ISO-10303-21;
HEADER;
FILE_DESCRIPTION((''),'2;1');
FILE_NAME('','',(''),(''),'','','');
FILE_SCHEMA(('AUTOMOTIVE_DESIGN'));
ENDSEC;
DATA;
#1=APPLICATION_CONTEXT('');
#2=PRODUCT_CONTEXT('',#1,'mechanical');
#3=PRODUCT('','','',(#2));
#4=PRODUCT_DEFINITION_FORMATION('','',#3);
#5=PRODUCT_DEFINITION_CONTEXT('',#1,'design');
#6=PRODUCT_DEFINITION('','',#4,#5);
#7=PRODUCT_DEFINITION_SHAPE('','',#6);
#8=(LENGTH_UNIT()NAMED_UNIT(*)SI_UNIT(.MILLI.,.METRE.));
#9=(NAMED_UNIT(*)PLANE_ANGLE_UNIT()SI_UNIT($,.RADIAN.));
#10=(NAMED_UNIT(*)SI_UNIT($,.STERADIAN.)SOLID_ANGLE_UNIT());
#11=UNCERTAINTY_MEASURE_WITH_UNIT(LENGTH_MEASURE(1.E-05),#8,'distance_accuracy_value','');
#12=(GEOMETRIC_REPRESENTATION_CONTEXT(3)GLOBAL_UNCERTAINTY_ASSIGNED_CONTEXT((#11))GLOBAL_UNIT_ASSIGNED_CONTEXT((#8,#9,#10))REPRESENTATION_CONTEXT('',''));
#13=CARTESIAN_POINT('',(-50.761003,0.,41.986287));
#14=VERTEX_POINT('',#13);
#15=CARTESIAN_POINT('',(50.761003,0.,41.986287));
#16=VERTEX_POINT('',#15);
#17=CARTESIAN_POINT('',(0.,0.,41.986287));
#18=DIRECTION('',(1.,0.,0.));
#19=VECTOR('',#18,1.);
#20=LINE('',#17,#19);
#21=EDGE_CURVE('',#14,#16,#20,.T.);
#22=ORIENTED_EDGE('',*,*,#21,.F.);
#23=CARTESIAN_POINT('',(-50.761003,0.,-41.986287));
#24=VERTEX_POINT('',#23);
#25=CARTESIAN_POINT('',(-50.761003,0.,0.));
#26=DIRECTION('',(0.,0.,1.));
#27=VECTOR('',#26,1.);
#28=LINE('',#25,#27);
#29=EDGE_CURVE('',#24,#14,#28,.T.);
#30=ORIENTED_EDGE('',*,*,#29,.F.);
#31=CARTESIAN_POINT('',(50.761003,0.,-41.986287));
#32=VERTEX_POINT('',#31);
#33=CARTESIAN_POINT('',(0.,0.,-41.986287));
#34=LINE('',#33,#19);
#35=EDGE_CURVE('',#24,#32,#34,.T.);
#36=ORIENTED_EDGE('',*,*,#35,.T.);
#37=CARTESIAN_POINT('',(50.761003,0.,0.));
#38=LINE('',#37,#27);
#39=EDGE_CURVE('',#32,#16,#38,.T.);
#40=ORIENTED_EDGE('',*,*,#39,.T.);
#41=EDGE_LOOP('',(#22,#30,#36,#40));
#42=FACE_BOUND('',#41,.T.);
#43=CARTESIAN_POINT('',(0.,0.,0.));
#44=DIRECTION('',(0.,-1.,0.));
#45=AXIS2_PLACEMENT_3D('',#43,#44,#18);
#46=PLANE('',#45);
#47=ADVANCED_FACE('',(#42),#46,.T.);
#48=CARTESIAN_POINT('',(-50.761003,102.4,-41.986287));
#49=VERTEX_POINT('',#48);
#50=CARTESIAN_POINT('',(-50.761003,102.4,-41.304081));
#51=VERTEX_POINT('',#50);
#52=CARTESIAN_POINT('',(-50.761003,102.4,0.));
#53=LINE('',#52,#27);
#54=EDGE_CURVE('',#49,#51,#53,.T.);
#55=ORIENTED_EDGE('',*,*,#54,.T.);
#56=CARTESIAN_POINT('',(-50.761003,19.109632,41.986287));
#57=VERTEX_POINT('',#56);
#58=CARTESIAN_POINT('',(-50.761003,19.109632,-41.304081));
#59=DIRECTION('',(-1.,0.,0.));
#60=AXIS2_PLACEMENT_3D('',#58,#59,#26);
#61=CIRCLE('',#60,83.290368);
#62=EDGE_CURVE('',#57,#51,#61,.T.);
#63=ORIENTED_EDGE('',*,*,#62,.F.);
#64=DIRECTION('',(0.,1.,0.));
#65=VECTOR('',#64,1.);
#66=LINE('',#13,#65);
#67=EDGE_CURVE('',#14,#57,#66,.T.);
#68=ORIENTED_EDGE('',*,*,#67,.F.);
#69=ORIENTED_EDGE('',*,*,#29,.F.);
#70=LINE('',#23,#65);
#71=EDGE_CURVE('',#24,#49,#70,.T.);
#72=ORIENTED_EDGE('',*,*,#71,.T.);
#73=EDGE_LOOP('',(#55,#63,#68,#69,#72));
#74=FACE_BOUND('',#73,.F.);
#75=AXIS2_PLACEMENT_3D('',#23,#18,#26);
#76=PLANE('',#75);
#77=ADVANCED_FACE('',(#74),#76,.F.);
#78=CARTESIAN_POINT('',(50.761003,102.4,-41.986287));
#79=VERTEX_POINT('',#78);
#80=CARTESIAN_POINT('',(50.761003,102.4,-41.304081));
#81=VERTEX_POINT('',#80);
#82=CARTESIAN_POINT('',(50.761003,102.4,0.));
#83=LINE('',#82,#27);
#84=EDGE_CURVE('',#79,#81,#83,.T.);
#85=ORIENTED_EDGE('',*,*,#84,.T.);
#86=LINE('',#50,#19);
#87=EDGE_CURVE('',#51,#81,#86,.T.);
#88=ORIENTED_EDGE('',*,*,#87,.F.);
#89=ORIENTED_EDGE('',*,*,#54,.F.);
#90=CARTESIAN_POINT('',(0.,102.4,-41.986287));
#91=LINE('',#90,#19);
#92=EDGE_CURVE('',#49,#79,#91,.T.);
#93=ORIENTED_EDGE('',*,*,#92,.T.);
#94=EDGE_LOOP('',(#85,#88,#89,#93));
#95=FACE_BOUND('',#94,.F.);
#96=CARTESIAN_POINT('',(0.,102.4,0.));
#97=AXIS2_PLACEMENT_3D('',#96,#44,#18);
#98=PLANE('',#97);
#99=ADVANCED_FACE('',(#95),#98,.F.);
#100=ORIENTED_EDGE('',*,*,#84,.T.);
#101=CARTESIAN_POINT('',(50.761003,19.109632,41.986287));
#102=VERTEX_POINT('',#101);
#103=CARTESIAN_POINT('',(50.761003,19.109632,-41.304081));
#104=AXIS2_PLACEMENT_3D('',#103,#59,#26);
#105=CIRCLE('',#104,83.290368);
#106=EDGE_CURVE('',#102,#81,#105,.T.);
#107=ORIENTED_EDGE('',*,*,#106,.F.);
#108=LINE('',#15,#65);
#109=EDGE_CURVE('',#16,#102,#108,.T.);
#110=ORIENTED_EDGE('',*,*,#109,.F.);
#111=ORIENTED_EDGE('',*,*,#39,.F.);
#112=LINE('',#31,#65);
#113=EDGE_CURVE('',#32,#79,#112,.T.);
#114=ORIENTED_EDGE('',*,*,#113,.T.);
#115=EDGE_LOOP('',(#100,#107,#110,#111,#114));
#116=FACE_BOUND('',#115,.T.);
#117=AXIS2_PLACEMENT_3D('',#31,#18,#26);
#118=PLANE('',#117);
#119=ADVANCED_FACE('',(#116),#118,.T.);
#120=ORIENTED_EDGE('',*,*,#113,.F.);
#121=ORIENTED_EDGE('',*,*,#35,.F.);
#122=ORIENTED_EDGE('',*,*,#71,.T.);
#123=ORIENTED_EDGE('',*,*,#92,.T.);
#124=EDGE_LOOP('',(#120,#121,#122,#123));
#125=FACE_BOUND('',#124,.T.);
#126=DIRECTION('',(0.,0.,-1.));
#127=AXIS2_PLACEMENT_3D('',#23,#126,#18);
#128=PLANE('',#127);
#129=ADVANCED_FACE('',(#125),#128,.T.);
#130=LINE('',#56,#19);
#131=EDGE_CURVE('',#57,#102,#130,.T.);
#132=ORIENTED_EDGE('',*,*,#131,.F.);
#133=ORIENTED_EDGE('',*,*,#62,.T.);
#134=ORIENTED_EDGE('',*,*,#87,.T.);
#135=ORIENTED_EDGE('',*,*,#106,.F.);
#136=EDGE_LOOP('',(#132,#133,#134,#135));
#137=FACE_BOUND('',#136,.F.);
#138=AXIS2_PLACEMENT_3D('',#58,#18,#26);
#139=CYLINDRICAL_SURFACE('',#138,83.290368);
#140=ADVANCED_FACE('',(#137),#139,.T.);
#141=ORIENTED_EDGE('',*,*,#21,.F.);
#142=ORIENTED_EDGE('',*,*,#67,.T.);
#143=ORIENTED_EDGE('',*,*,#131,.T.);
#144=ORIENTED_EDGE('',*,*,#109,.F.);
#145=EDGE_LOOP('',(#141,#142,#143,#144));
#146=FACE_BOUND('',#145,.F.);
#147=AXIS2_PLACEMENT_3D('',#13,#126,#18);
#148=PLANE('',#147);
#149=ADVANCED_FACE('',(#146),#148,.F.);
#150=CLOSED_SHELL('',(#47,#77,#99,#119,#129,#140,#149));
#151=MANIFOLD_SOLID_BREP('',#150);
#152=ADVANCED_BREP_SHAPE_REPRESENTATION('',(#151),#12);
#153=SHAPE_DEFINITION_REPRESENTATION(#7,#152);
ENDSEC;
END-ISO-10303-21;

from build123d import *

# Parameters (mm, degrees)
F0_W     = 101.522006
F0_H     = 83.972574
F1_DEPTH = 102.4
F2_R     = 83.290368


with BuildPart() as f1:
    # F0 (on Front) → F1 (new body)
    with BuildSketch(Plane.XZ):
        Rectangle(F0_W, F0_H)
    extrude(amount=-F1_DEPTH)

    # F2
    f2_edges = [f1.edges().sort_by_distance(p)[0] for p in [
        (0, 102.4, 41.986287),
    ]]
    fillet(f2_edges, radius=F2_R)


solid = f1.part
